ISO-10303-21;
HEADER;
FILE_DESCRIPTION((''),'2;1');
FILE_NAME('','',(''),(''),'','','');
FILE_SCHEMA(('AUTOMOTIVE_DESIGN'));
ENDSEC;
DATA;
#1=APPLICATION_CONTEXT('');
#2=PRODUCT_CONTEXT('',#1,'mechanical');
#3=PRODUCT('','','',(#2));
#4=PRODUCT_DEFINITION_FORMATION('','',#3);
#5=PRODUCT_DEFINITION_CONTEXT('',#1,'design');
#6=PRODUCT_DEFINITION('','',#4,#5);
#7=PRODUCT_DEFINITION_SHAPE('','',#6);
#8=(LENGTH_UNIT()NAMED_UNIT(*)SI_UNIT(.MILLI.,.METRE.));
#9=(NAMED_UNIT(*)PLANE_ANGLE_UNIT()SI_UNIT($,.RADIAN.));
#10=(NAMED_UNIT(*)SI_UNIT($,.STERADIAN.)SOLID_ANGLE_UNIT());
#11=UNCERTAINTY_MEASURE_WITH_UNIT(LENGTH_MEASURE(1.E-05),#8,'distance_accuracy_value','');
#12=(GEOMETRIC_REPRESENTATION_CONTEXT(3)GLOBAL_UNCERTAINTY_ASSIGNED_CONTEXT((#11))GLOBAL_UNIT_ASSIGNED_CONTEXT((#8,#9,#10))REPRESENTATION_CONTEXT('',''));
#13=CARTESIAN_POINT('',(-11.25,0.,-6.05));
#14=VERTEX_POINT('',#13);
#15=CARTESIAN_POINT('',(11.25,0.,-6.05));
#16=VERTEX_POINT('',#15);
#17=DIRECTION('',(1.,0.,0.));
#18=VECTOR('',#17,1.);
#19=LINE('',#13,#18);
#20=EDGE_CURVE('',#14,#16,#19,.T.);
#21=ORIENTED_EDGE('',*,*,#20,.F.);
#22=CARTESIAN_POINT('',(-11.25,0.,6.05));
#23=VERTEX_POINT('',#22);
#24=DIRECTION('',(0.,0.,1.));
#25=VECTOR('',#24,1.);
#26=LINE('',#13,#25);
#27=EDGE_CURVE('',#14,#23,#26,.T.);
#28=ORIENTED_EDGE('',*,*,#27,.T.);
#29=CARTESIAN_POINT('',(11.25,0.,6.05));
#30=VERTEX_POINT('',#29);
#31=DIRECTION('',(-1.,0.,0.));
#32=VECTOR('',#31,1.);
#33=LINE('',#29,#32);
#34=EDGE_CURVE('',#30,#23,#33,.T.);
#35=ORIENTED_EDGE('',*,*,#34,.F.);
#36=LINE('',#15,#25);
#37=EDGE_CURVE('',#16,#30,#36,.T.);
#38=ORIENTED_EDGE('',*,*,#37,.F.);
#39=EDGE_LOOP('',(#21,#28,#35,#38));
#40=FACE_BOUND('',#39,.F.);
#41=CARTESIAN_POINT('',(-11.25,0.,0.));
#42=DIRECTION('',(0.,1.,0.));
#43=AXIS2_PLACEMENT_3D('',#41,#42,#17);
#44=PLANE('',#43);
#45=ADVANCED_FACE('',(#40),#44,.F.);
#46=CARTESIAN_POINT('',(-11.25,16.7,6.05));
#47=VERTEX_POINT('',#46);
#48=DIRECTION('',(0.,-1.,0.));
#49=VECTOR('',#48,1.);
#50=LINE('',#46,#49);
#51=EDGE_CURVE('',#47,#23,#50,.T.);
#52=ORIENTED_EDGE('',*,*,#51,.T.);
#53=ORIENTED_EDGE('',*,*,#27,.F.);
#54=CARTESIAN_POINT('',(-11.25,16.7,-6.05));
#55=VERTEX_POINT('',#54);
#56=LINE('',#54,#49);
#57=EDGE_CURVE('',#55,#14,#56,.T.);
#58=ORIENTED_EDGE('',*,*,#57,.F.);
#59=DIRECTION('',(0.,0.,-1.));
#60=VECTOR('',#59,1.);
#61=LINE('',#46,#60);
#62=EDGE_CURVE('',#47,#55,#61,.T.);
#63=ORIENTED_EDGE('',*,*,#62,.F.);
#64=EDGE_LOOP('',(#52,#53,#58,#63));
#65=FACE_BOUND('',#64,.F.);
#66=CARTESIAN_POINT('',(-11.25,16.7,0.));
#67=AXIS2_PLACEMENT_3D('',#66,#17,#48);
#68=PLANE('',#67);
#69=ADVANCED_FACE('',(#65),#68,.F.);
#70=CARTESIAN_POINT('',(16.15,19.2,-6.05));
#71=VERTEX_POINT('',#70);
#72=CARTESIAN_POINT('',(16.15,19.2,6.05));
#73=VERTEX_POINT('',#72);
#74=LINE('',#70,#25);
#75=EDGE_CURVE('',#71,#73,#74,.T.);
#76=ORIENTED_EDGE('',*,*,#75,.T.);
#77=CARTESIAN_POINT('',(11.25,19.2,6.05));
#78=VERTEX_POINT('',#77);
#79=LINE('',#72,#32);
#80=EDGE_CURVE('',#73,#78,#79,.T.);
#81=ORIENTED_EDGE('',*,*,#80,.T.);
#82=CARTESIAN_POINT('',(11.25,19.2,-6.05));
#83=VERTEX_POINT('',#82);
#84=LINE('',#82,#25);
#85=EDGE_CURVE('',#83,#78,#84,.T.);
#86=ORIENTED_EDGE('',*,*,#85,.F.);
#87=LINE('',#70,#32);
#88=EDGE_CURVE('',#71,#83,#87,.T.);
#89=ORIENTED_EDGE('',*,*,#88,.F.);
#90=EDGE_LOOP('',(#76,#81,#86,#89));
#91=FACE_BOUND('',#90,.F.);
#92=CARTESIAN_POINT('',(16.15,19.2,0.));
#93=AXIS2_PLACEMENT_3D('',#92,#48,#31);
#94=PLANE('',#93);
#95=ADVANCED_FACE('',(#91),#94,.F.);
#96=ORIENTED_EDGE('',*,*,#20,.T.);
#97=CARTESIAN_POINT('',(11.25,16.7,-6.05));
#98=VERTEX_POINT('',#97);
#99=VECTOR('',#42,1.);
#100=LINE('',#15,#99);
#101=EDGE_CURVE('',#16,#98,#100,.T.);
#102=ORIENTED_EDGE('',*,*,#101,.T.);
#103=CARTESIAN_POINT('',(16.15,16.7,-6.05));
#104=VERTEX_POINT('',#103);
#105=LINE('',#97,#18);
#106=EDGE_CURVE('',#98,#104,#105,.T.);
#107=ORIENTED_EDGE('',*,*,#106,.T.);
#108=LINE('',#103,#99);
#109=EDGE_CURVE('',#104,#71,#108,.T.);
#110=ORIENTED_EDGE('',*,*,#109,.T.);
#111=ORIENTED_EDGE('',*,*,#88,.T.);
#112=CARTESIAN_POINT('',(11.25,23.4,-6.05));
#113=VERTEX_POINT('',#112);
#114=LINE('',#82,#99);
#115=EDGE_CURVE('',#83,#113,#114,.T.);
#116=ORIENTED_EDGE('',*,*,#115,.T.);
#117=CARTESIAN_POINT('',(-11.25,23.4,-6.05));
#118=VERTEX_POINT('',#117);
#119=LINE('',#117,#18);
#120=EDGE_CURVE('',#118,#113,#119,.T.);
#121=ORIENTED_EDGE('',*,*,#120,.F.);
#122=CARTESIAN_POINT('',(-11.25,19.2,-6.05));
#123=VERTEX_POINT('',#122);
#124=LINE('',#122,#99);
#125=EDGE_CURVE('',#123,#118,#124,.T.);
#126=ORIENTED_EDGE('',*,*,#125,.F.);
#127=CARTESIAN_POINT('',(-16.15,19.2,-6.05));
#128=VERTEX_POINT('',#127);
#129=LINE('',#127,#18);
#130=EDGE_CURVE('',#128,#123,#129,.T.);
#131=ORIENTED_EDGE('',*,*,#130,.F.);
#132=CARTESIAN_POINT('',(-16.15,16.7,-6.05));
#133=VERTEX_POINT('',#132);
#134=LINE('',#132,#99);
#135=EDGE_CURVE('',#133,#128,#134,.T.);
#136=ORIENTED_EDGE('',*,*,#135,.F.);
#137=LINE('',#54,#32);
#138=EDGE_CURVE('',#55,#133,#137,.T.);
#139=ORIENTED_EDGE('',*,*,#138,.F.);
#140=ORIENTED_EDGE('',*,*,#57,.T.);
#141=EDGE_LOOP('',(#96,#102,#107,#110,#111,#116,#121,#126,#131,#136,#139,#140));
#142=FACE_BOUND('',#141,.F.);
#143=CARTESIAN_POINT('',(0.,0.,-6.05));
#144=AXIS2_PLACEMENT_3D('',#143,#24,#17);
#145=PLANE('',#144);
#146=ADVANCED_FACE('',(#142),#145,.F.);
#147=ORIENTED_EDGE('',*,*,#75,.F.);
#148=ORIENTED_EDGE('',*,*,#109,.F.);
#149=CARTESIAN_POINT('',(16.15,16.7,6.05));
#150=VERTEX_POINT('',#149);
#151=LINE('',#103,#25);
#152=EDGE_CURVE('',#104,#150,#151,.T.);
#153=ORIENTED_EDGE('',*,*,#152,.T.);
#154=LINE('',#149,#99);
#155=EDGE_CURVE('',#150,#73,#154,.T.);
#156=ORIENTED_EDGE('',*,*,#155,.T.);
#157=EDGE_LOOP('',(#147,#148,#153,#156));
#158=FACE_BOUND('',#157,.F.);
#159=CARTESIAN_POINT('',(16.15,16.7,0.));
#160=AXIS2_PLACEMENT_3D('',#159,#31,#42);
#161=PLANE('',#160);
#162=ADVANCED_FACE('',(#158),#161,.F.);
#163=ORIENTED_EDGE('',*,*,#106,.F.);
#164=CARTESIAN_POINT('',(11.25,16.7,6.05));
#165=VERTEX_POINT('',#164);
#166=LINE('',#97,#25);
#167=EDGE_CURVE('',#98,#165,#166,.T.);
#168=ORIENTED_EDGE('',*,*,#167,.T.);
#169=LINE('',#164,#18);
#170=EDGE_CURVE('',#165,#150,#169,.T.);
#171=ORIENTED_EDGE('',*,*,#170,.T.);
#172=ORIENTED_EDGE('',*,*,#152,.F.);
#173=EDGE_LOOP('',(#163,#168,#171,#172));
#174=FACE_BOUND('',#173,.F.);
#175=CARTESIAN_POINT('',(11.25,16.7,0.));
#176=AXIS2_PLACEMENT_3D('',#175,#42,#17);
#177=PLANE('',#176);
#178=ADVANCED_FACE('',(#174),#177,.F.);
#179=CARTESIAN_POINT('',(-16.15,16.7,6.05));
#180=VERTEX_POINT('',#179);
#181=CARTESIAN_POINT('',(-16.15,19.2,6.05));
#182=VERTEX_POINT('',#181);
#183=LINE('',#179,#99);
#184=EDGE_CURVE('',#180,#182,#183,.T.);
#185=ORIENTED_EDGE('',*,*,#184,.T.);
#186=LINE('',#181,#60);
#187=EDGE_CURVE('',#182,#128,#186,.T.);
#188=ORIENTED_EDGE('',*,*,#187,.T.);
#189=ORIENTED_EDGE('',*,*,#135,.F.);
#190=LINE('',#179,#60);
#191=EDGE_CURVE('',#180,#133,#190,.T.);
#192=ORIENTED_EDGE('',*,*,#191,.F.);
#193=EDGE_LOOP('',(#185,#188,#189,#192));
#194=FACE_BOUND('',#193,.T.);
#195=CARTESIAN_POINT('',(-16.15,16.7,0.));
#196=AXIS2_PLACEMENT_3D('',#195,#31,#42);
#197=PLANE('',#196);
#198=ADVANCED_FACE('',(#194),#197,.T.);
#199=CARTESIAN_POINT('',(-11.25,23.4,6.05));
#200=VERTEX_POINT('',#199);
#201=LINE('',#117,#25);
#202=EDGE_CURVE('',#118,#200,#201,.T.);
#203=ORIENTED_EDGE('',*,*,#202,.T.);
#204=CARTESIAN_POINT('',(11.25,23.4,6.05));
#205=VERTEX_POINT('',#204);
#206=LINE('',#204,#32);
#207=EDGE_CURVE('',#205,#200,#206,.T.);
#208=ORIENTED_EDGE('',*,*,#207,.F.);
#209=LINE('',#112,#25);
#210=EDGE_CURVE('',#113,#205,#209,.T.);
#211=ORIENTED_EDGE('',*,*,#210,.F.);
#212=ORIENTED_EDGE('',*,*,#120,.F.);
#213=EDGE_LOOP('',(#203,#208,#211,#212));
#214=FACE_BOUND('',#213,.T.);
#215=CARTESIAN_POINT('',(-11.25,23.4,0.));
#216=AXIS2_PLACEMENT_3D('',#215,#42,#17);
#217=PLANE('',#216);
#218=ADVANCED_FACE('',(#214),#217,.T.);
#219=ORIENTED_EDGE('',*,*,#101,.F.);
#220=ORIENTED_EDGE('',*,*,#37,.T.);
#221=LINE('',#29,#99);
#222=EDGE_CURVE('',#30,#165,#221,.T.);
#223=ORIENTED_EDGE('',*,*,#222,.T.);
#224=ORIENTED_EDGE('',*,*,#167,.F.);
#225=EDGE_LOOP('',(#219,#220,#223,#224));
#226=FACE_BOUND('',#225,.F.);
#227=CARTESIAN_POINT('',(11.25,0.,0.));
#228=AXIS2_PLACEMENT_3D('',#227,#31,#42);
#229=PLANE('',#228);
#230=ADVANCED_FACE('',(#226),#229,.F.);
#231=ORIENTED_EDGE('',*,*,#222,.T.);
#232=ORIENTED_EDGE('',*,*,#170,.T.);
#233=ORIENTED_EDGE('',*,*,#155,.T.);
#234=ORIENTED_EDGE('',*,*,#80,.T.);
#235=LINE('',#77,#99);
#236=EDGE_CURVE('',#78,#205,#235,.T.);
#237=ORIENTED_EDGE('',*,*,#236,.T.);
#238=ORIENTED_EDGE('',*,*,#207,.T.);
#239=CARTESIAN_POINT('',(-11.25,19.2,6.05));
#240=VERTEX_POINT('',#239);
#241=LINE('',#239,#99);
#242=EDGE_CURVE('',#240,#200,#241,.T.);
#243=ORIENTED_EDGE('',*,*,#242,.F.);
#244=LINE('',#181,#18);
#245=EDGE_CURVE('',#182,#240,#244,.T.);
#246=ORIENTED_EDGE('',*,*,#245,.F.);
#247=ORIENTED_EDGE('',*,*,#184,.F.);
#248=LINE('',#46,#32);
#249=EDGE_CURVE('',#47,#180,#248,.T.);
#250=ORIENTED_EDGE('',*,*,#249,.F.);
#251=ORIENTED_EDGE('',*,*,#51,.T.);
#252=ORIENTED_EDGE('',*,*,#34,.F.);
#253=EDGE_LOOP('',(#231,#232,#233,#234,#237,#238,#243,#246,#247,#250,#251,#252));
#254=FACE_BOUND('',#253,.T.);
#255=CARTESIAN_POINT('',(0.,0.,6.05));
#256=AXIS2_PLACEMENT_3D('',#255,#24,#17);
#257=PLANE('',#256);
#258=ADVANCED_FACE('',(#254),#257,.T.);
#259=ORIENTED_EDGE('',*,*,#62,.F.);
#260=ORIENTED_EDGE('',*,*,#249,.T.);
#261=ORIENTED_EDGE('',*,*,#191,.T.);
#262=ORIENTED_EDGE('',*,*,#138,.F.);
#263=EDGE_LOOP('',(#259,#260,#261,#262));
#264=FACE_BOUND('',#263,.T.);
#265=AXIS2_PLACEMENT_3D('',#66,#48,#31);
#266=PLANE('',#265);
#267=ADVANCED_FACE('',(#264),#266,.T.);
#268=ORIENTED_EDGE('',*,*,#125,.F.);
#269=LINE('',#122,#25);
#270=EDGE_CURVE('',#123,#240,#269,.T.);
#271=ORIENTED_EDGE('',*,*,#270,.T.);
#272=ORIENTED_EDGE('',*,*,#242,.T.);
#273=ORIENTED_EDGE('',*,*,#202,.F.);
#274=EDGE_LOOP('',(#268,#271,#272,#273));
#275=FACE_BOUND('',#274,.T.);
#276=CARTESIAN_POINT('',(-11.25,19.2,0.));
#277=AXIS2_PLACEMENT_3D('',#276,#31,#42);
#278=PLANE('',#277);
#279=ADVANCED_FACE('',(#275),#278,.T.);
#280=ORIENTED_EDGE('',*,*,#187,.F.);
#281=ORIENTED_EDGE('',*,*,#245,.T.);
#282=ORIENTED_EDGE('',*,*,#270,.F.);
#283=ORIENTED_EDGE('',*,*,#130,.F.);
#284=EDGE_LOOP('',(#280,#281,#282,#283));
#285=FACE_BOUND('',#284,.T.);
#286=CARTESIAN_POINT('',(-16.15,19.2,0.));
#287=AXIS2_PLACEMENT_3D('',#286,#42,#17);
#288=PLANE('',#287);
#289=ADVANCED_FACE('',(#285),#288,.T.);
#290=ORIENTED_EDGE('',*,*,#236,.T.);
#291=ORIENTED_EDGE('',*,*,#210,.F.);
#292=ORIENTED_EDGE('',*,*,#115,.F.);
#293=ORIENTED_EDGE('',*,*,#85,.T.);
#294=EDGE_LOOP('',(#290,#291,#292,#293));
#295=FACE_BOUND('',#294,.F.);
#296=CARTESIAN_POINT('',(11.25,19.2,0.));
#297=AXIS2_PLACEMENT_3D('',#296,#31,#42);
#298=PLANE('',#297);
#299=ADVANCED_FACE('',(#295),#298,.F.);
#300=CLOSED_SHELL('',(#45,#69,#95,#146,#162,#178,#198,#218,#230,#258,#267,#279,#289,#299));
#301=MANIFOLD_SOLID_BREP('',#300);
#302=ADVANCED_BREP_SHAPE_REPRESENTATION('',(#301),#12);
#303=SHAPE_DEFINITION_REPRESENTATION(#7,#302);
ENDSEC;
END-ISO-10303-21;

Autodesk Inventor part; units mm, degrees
sketch "Skizze1" plane through (0, 0, 0) normal (0, 0, 1) x (1, 0, 0)
  line L0 (-11.25, 0) -> (11.25, 0)
  line L1 (11.25, 0) -> (11.25, 16.7)
  line L2 (11.25, 16.7) -> (-11.25, 16.7)
  line L3 (-11.25, 16.7) -> (-11.25, 0)
  line L4 (0, -4.68) -> (0, 28.08) projected
  line L5 (-11.25, 16.7) -> (-16.15, 16.7)
  line L6 (-16.15, 16.7) -> (-16.15, 19.2)
  line L7 (-16.15, 19.2) -> (-11.25, 19.2)
  line L8 (-11.25, 19.2) -> (-11.25, 23.4)
  line L9 (-11.25, 23.4) -> (0, 23.4)
  line L10 (11.25, 16.7) -> (16.15, 16.7)
  line L11 (16.15, 16.7) -> (16.15, 19.2)
  line L12 (16.15, 19.2) -> (11.25, 19.2)
  line L13 (11.25, 19.2) -> (11.25, 23.4)
  line L14 (11.25, 23.4) -> (0, 23.4)
  point P0 (0, 0)
  dimension "d0" = 22.5
  dimension "d1" = 16.7
  dimension "d2" = 4.9
  dimension "d3" = 2.5
  dimension "d4" = 4.2
  dimension "d5" = 22.5
extrude "Extrusion1" add sketch "Skizze1" along normal mid plane 12.1
properties part number "Motortest"
